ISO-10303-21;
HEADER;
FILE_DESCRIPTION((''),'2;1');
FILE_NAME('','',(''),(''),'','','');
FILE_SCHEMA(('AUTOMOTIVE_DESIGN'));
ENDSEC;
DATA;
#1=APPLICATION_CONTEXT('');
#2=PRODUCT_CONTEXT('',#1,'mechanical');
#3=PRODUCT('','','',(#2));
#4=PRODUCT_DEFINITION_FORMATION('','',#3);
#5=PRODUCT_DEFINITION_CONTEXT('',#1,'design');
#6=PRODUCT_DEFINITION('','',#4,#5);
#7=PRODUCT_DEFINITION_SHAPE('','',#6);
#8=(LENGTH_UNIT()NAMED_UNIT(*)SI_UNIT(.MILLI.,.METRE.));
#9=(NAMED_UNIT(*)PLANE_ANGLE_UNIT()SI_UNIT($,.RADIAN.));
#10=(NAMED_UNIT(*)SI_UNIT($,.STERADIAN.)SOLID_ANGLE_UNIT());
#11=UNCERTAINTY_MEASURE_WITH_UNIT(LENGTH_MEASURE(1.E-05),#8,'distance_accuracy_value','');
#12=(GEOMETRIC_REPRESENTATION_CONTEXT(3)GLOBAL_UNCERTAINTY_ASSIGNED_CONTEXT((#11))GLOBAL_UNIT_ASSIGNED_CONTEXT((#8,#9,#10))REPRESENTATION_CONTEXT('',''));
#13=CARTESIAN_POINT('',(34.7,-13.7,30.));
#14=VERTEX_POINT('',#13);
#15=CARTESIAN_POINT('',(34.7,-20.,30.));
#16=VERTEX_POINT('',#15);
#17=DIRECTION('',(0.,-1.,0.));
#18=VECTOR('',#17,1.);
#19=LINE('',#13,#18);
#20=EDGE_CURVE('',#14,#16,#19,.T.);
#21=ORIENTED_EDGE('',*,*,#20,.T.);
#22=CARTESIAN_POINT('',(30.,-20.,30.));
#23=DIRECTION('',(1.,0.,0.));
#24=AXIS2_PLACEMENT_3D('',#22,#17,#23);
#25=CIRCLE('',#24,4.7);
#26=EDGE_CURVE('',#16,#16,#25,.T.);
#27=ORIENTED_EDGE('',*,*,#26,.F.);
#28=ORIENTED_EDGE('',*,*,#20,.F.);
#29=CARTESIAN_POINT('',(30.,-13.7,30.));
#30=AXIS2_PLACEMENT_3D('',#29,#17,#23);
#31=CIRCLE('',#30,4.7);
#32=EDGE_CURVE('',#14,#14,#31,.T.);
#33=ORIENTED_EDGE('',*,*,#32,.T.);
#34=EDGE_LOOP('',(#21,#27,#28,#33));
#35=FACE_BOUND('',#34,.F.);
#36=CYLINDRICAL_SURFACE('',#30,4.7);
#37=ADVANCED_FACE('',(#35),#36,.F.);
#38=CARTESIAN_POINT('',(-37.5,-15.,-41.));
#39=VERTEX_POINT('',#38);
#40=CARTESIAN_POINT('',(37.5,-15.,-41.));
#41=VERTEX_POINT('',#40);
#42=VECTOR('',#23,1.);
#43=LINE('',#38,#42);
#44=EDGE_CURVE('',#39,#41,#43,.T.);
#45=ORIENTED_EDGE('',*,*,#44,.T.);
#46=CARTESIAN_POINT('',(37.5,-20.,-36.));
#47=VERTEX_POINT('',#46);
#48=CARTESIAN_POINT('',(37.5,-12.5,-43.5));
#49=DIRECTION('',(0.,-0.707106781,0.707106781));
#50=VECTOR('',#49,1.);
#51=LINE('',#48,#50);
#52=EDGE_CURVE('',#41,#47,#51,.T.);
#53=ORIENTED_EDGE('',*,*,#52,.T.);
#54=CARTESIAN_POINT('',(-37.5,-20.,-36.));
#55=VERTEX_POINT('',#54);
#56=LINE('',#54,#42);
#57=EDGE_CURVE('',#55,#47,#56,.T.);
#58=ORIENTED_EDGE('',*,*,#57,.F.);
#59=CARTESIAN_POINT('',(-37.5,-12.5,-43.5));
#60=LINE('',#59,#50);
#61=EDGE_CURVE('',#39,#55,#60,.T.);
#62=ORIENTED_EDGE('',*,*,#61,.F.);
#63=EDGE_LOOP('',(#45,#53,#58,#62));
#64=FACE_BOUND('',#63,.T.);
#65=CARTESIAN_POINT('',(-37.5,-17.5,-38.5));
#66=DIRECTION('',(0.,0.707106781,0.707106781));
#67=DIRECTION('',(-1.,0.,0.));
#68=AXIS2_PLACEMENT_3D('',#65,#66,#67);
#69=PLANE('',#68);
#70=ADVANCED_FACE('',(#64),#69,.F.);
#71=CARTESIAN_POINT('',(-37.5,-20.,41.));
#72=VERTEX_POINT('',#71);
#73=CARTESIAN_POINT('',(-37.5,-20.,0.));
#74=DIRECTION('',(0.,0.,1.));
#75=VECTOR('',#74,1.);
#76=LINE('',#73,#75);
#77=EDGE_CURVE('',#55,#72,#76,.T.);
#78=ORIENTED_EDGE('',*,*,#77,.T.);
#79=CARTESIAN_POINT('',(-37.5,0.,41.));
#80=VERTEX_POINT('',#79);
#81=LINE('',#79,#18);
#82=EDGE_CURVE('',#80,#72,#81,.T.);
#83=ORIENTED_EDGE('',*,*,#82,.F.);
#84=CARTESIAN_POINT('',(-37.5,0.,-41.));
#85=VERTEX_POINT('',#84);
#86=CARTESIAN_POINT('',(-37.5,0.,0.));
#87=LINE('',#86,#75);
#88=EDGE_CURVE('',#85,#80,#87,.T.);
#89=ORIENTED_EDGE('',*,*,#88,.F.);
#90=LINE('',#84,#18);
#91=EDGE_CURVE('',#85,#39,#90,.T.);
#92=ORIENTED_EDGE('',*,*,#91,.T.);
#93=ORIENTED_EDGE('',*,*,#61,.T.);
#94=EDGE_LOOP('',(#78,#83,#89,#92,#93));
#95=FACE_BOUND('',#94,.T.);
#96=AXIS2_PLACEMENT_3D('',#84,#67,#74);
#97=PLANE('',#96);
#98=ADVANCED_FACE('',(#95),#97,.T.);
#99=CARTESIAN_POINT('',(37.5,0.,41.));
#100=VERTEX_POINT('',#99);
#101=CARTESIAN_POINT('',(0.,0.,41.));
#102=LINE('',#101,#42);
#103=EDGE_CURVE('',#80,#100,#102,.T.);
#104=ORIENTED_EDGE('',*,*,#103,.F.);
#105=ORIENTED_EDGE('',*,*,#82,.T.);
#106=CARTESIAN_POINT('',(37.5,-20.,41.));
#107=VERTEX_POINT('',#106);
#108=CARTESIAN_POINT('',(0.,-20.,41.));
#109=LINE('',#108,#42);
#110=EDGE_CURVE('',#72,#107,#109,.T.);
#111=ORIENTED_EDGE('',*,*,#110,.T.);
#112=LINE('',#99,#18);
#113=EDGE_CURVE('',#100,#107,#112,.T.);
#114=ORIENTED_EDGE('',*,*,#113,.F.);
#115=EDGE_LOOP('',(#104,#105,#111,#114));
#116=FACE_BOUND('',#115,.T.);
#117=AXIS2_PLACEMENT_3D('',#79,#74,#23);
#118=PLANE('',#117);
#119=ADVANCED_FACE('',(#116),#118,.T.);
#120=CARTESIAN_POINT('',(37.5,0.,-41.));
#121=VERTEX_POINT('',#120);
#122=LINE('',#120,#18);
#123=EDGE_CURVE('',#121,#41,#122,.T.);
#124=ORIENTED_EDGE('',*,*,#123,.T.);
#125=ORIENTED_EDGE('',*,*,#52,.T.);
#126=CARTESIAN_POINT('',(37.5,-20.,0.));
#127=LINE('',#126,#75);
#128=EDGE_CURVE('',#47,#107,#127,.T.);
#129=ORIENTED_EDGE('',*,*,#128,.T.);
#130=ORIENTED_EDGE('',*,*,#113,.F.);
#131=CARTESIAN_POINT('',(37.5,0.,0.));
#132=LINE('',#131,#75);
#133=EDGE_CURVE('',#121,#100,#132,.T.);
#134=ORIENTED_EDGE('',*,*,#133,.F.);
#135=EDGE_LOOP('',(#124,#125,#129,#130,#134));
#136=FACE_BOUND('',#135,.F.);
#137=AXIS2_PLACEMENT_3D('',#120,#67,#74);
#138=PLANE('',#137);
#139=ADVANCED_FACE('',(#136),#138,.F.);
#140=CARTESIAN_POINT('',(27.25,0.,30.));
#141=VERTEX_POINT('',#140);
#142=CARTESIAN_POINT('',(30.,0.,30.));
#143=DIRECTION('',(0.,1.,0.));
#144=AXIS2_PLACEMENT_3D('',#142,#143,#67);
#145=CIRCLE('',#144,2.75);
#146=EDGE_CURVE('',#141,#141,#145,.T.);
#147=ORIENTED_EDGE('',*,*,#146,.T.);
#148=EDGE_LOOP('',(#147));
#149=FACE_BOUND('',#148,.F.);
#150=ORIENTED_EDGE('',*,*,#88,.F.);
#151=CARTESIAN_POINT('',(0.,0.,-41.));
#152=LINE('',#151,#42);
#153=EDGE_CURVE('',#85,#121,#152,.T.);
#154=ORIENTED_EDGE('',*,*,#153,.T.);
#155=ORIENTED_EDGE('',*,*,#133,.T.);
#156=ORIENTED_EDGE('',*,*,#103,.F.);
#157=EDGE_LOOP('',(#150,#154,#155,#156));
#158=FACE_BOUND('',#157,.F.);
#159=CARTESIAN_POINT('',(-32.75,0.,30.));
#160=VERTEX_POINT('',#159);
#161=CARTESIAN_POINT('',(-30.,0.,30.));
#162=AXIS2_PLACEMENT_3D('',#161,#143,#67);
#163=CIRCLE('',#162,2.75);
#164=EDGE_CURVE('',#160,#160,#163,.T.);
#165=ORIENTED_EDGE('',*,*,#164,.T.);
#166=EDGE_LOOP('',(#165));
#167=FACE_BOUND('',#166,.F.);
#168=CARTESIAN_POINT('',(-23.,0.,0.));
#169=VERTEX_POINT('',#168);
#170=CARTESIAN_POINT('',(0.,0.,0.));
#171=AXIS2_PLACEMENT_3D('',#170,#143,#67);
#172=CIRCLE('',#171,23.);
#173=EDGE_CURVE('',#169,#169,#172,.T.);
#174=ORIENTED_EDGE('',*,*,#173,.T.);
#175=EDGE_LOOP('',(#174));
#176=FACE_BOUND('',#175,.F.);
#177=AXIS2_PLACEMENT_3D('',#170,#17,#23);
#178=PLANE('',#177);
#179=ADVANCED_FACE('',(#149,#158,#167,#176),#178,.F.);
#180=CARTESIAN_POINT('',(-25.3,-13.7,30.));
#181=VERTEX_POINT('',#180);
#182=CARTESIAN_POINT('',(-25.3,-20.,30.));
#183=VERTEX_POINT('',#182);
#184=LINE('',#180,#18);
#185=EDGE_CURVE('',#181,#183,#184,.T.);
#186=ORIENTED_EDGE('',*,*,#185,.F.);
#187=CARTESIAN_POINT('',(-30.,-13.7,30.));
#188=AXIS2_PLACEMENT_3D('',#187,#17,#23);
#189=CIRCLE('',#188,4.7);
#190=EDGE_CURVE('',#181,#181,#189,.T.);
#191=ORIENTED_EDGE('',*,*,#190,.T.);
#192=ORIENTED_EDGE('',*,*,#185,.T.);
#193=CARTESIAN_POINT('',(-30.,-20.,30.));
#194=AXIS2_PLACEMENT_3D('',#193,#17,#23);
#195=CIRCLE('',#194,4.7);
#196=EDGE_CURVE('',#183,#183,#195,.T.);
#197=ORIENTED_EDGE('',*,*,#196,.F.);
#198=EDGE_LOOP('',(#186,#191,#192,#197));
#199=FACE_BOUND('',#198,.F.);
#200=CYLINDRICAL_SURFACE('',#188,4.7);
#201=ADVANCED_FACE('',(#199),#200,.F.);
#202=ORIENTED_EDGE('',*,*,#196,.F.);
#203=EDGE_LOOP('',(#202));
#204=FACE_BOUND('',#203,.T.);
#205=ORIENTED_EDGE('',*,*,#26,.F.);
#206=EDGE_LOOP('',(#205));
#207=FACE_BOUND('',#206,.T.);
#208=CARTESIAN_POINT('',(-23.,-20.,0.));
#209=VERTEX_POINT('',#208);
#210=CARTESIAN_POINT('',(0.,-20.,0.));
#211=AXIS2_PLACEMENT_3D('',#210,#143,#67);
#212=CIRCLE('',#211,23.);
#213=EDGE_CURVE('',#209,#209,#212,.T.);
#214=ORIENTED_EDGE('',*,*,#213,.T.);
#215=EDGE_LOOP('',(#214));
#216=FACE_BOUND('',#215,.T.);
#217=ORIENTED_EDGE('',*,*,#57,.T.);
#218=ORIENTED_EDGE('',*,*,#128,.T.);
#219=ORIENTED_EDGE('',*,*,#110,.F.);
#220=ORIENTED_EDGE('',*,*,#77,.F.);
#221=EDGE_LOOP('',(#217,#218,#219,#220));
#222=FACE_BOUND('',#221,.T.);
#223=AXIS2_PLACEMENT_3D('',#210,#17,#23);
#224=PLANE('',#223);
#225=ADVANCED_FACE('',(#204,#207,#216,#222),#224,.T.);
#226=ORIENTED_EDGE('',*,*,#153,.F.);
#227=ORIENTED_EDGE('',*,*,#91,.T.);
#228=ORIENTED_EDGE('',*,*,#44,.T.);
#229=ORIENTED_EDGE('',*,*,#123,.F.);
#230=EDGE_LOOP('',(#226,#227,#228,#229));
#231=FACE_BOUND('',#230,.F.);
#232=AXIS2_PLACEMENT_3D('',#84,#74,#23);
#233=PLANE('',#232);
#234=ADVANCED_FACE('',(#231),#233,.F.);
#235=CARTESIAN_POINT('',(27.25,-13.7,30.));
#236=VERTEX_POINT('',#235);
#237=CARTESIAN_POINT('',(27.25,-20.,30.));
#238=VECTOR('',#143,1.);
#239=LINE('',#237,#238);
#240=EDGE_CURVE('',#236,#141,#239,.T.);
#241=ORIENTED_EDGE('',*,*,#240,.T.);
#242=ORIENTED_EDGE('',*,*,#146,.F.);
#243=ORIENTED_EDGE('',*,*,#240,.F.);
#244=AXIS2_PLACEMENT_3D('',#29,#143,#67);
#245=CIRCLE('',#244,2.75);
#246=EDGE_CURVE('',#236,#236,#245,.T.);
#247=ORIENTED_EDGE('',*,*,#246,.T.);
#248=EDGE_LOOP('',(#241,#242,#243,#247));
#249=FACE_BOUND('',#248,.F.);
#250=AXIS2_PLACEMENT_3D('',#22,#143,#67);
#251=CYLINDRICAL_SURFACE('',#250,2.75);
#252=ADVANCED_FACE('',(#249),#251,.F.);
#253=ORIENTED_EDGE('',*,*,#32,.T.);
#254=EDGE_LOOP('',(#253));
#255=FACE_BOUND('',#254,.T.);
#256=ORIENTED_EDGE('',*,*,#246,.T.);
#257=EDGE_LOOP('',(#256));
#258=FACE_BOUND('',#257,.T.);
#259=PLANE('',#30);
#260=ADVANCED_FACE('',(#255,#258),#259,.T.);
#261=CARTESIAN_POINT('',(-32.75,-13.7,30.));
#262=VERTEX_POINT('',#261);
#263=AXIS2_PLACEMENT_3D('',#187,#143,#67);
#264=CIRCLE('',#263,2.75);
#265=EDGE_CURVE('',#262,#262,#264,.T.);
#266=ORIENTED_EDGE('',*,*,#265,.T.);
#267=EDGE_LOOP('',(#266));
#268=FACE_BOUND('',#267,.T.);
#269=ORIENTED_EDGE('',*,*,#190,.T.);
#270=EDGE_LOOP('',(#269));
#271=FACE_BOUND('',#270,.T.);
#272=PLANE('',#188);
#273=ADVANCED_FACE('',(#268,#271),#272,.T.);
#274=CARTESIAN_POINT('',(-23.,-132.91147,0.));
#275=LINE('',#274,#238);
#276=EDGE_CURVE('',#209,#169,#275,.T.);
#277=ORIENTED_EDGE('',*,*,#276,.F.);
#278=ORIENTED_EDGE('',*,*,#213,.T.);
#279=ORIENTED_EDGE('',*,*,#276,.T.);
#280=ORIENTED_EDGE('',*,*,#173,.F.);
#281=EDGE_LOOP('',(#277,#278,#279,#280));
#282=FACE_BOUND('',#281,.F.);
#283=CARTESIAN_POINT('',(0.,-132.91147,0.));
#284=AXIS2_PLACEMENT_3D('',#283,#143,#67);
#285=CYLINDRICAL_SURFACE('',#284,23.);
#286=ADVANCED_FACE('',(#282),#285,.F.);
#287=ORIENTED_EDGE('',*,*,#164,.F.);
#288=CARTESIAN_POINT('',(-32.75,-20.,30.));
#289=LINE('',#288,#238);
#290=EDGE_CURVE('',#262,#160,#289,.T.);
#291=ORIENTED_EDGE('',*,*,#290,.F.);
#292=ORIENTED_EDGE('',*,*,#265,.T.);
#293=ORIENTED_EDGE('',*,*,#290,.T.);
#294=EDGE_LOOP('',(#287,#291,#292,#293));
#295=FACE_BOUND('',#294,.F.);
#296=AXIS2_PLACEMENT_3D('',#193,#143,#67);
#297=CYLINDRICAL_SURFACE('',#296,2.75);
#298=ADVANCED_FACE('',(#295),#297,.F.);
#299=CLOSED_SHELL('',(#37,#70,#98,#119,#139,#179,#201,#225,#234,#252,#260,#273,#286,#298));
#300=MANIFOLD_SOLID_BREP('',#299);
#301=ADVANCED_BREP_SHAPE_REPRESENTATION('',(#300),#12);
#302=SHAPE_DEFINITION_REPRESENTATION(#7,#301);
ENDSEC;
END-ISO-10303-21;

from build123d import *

# Parameters (mm, degrees)
F0_W           = 75
F0_H           = 82
F1_DEPTH       = 20
F3_D           = 46
F4_D           = 5.5
F4_CBORE_D     = 9.4
F4_CBORE_DEPTH = 6.3
F5_SIZE        = 5


with BuildPart() as f1:
    # F0 (on Front) → F1 (new body)
    with BuildSketch(Plane.XZ):
        Rectangle(F0_W, F0_H)
    extrude(amount=F1_DEPTH)

    # F3 (through all)
    with Locations(Plane.XZ.offset(20)):
        with Locations((0, 0)):
            Hole(F3_D / 2)

    # F4 (through all)
    with Locations(Plane.XZ.offset(20)):
        with Locations((-30, 30), (30, 30)):
            CounterBoreHole(F4_D / 2, F4_CBORE_D / 2, F4_CBORE_DEPTH)

    # F5
    f5_edges = [f1.edges().sort_by_distance(p)[0] for p in [
        (0, -20, -41),
    ]]
    chamfer(f5_edges, length=F5_SIZE)


solid = f1.part
